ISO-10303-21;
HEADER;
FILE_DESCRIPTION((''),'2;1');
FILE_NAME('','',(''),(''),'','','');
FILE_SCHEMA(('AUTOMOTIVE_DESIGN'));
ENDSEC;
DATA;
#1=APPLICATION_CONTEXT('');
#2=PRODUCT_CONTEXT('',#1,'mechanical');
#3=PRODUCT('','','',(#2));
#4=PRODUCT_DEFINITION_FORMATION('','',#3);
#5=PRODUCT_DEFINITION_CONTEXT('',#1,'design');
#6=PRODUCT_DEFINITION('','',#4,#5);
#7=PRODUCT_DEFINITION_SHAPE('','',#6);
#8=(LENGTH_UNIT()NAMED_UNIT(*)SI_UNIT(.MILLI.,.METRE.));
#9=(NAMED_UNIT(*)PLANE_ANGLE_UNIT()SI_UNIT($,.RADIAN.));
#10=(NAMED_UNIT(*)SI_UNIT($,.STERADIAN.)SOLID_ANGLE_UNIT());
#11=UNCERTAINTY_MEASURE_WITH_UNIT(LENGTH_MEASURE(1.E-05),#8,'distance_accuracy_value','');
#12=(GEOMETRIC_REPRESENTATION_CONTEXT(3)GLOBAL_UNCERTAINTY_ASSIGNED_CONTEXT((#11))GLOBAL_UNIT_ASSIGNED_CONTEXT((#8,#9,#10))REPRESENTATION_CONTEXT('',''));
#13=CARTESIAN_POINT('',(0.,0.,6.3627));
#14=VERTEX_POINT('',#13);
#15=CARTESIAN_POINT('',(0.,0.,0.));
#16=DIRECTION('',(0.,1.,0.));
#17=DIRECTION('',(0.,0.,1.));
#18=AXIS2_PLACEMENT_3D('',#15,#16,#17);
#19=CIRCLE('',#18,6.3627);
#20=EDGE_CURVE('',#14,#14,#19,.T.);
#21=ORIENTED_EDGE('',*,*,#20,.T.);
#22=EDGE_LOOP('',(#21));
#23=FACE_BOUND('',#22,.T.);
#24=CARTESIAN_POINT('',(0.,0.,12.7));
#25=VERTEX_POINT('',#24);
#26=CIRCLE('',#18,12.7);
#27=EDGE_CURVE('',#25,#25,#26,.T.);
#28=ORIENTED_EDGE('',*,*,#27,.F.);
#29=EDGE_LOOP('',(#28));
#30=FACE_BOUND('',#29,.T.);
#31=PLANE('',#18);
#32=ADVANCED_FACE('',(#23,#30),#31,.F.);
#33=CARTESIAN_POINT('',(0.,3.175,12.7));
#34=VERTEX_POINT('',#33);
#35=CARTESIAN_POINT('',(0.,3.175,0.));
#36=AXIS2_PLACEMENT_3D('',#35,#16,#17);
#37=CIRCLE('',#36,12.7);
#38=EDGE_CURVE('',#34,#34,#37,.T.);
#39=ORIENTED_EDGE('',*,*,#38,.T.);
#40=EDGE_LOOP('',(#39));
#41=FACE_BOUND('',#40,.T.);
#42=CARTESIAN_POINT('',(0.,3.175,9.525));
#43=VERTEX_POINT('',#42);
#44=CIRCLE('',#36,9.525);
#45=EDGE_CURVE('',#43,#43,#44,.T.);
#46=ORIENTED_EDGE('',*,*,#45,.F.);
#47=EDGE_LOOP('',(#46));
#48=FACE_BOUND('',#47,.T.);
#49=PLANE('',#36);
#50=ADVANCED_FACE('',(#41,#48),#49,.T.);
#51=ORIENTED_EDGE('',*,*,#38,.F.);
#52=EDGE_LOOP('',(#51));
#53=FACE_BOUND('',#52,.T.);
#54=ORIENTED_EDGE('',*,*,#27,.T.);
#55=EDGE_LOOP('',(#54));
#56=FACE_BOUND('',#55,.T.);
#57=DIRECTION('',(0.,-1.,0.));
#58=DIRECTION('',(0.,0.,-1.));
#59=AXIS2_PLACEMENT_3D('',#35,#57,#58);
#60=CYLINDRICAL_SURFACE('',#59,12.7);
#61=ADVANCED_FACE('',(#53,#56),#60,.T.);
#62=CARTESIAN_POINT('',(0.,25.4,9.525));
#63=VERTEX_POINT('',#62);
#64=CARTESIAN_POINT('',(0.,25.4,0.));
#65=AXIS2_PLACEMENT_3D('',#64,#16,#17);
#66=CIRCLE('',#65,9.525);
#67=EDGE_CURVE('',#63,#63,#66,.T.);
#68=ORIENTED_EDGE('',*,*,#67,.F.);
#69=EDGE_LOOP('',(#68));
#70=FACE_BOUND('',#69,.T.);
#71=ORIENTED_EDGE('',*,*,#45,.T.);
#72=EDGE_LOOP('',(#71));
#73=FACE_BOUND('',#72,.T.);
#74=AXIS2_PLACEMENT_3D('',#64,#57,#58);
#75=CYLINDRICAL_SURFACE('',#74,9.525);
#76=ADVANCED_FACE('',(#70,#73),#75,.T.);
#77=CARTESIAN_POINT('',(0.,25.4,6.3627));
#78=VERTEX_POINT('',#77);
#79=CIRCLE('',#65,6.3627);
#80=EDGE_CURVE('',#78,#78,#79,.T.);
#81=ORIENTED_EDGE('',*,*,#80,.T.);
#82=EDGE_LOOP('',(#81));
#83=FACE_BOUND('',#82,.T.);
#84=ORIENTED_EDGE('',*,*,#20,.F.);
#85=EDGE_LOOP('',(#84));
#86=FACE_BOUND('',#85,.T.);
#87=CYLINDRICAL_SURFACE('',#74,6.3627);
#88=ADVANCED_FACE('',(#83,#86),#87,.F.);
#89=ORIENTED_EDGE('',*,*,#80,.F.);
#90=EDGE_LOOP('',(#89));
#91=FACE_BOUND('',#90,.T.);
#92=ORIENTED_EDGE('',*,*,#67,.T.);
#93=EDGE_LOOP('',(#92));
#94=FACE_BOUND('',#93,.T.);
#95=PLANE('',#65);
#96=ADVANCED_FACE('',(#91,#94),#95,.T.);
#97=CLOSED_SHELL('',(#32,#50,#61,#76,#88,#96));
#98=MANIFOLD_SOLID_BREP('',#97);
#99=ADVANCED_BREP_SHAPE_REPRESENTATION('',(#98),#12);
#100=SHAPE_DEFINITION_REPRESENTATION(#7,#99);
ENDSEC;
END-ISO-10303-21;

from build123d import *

# Parameters (mm, degrees)
SKETCH2_R           = 9.525
SKETCH2_R_2         = 6.3627
BOSS_EXTRUDE1_DEPTH = 25.4
SKETCH3_R           = 12.7
SKETCH3_R_2         = 9.525
BOSS_EXTRUDE2_DEPTH = 3.175


with BuildPart() as part:
    # Sketch2 → Boss-Extrude1 (new body)
    with BuildSketch(Plane(origin=(0, 0, 0), x_dir=(1, 0, 0), z_dir=(0, 1, 0))):
        with Locations(Location((0, 0, 0), (0, 0, 270))):
            Circle(SKETCH2_R)
        with Locations(Location((0, 0, 0), (0, 0, 270))):
            Circle(SKETCH2_R_2, mode=Mode.SUBTRACT)
    extrude(amount=BOSS_EXTRUDE1_DEPTH)

    # Sketch3 → Boss-Extrude2 (add)
    with BuildSketch(Plane(origin=(0, 0, 0), x_dir=(1, 0, 0), z_dir=(0, 1, 0))):
        with Locations(Location((0, 0, 0), (0, 0, 270))):
            Circle(SKETCH3_R)
        with Locations(Location((0, 0, 0), (0, 0, 270))):
            Circle(SKETCH3_R_2, mode=Mode.SUBTRACT)
    extrude(amount=BOSS_EXTRUDE2_DEPTH)


solid = part.part
